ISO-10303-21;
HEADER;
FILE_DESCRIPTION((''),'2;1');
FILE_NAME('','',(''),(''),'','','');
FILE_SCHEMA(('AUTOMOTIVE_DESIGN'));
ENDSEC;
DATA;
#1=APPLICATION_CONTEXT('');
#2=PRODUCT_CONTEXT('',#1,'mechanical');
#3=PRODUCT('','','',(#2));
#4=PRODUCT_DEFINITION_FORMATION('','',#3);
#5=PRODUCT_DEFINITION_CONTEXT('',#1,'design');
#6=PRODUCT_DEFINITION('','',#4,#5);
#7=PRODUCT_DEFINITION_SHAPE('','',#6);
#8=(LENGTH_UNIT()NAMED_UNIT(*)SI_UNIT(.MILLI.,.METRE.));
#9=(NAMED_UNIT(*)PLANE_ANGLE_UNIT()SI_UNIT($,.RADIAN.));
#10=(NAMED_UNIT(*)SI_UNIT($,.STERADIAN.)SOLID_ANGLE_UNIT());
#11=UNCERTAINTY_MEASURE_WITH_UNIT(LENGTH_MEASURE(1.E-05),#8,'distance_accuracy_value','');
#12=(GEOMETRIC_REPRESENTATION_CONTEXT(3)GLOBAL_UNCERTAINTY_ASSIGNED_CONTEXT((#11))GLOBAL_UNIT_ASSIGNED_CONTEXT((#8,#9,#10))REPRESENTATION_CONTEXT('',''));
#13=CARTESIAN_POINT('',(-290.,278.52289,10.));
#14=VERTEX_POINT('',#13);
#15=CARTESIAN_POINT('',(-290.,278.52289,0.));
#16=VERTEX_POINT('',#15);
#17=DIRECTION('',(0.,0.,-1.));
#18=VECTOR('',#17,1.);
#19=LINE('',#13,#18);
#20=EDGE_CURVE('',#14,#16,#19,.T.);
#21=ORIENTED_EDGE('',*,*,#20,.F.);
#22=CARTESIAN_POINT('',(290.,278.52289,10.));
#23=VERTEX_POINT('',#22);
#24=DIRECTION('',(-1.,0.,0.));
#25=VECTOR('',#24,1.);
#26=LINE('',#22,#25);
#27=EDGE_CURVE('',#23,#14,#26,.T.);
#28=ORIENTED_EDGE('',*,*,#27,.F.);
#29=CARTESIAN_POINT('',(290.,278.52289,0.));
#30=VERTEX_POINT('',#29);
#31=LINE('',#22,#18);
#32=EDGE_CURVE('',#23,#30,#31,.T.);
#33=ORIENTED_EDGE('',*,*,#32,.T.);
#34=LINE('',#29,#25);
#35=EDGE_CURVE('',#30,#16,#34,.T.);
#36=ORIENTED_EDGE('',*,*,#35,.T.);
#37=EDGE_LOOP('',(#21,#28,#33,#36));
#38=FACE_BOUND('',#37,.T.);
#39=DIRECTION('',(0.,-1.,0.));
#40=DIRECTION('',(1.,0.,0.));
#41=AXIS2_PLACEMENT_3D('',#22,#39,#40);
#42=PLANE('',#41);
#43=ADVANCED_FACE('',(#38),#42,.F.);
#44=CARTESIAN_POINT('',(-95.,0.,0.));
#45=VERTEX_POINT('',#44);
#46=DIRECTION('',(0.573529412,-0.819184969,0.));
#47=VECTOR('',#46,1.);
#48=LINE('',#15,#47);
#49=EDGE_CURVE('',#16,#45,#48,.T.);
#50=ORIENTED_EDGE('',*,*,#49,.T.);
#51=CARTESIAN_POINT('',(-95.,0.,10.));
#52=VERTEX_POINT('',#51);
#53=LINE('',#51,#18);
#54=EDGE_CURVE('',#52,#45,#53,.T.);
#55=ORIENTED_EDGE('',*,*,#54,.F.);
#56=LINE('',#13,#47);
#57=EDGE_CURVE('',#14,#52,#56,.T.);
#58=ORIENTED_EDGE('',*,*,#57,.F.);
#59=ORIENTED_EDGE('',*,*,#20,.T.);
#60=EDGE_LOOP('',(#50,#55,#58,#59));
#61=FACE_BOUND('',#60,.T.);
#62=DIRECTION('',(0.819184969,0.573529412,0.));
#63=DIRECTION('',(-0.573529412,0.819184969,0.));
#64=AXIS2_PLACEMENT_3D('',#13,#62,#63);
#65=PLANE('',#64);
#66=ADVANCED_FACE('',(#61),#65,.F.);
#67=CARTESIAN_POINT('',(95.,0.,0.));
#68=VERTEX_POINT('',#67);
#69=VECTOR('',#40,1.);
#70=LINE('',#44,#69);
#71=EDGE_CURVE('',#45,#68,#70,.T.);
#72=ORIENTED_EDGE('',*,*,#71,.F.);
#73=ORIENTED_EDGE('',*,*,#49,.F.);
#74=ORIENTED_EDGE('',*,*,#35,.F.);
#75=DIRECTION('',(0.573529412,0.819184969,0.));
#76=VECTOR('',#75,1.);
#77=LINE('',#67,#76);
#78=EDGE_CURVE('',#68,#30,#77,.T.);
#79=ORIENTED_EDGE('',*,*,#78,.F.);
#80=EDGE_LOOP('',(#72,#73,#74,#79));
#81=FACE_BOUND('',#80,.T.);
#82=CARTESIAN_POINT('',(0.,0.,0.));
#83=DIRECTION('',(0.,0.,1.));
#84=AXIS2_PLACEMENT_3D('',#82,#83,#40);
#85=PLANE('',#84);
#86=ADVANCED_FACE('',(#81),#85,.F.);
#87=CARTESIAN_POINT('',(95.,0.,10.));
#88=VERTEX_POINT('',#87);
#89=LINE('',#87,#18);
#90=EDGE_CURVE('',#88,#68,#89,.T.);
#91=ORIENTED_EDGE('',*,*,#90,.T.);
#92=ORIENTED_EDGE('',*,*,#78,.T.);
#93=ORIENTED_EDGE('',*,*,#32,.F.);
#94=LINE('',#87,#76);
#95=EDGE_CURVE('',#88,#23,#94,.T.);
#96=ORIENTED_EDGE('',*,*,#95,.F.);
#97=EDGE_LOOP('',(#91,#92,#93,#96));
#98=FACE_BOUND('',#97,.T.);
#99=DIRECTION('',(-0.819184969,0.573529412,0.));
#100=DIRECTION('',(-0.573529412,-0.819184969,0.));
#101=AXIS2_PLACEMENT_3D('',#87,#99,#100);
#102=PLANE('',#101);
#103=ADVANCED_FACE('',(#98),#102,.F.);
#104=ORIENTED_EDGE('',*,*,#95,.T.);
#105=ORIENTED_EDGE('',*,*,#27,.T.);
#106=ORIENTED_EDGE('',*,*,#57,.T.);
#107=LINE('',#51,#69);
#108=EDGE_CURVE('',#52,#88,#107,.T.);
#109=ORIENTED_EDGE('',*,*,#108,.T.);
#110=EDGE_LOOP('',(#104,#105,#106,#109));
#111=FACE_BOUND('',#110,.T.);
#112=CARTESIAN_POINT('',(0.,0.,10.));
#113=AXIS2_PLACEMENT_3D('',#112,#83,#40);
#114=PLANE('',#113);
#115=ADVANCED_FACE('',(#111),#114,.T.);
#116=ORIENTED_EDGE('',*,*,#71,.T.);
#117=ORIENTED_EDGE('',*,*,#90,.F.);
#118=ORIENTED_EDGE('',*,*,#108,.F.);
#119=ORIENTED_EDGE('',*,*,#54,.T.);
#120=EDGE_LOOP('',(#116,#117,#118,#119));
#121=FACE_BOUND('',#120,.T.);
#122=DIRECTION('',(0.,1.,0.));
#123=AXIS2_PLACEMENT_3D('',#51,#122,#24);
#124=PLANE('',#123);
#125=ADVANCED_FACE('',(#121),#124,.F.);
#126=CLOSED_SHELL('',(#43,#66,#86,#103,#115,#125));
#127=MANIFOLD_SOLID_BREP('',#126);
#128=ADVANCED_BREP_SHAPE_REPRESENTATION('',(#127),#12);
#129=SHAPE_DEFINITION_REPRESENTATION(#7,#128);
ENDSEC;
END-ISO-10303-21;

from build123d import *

# Parameters (mm, degrees)
BOSS_EXTRUDE1_DEPTH = 10


with BuildPart() as part:
    # Sketch2 → Boss-Extrude1 (new body)
    with BuildSketch(Plane.XY):
        Polygon((-95, 0), (95, 0), (290, 278.522889544), (-290, 278.522889544), align=None)
    extrude(amount=BOSS_EXTRUDE1_DEPTH)


solid = part.part
